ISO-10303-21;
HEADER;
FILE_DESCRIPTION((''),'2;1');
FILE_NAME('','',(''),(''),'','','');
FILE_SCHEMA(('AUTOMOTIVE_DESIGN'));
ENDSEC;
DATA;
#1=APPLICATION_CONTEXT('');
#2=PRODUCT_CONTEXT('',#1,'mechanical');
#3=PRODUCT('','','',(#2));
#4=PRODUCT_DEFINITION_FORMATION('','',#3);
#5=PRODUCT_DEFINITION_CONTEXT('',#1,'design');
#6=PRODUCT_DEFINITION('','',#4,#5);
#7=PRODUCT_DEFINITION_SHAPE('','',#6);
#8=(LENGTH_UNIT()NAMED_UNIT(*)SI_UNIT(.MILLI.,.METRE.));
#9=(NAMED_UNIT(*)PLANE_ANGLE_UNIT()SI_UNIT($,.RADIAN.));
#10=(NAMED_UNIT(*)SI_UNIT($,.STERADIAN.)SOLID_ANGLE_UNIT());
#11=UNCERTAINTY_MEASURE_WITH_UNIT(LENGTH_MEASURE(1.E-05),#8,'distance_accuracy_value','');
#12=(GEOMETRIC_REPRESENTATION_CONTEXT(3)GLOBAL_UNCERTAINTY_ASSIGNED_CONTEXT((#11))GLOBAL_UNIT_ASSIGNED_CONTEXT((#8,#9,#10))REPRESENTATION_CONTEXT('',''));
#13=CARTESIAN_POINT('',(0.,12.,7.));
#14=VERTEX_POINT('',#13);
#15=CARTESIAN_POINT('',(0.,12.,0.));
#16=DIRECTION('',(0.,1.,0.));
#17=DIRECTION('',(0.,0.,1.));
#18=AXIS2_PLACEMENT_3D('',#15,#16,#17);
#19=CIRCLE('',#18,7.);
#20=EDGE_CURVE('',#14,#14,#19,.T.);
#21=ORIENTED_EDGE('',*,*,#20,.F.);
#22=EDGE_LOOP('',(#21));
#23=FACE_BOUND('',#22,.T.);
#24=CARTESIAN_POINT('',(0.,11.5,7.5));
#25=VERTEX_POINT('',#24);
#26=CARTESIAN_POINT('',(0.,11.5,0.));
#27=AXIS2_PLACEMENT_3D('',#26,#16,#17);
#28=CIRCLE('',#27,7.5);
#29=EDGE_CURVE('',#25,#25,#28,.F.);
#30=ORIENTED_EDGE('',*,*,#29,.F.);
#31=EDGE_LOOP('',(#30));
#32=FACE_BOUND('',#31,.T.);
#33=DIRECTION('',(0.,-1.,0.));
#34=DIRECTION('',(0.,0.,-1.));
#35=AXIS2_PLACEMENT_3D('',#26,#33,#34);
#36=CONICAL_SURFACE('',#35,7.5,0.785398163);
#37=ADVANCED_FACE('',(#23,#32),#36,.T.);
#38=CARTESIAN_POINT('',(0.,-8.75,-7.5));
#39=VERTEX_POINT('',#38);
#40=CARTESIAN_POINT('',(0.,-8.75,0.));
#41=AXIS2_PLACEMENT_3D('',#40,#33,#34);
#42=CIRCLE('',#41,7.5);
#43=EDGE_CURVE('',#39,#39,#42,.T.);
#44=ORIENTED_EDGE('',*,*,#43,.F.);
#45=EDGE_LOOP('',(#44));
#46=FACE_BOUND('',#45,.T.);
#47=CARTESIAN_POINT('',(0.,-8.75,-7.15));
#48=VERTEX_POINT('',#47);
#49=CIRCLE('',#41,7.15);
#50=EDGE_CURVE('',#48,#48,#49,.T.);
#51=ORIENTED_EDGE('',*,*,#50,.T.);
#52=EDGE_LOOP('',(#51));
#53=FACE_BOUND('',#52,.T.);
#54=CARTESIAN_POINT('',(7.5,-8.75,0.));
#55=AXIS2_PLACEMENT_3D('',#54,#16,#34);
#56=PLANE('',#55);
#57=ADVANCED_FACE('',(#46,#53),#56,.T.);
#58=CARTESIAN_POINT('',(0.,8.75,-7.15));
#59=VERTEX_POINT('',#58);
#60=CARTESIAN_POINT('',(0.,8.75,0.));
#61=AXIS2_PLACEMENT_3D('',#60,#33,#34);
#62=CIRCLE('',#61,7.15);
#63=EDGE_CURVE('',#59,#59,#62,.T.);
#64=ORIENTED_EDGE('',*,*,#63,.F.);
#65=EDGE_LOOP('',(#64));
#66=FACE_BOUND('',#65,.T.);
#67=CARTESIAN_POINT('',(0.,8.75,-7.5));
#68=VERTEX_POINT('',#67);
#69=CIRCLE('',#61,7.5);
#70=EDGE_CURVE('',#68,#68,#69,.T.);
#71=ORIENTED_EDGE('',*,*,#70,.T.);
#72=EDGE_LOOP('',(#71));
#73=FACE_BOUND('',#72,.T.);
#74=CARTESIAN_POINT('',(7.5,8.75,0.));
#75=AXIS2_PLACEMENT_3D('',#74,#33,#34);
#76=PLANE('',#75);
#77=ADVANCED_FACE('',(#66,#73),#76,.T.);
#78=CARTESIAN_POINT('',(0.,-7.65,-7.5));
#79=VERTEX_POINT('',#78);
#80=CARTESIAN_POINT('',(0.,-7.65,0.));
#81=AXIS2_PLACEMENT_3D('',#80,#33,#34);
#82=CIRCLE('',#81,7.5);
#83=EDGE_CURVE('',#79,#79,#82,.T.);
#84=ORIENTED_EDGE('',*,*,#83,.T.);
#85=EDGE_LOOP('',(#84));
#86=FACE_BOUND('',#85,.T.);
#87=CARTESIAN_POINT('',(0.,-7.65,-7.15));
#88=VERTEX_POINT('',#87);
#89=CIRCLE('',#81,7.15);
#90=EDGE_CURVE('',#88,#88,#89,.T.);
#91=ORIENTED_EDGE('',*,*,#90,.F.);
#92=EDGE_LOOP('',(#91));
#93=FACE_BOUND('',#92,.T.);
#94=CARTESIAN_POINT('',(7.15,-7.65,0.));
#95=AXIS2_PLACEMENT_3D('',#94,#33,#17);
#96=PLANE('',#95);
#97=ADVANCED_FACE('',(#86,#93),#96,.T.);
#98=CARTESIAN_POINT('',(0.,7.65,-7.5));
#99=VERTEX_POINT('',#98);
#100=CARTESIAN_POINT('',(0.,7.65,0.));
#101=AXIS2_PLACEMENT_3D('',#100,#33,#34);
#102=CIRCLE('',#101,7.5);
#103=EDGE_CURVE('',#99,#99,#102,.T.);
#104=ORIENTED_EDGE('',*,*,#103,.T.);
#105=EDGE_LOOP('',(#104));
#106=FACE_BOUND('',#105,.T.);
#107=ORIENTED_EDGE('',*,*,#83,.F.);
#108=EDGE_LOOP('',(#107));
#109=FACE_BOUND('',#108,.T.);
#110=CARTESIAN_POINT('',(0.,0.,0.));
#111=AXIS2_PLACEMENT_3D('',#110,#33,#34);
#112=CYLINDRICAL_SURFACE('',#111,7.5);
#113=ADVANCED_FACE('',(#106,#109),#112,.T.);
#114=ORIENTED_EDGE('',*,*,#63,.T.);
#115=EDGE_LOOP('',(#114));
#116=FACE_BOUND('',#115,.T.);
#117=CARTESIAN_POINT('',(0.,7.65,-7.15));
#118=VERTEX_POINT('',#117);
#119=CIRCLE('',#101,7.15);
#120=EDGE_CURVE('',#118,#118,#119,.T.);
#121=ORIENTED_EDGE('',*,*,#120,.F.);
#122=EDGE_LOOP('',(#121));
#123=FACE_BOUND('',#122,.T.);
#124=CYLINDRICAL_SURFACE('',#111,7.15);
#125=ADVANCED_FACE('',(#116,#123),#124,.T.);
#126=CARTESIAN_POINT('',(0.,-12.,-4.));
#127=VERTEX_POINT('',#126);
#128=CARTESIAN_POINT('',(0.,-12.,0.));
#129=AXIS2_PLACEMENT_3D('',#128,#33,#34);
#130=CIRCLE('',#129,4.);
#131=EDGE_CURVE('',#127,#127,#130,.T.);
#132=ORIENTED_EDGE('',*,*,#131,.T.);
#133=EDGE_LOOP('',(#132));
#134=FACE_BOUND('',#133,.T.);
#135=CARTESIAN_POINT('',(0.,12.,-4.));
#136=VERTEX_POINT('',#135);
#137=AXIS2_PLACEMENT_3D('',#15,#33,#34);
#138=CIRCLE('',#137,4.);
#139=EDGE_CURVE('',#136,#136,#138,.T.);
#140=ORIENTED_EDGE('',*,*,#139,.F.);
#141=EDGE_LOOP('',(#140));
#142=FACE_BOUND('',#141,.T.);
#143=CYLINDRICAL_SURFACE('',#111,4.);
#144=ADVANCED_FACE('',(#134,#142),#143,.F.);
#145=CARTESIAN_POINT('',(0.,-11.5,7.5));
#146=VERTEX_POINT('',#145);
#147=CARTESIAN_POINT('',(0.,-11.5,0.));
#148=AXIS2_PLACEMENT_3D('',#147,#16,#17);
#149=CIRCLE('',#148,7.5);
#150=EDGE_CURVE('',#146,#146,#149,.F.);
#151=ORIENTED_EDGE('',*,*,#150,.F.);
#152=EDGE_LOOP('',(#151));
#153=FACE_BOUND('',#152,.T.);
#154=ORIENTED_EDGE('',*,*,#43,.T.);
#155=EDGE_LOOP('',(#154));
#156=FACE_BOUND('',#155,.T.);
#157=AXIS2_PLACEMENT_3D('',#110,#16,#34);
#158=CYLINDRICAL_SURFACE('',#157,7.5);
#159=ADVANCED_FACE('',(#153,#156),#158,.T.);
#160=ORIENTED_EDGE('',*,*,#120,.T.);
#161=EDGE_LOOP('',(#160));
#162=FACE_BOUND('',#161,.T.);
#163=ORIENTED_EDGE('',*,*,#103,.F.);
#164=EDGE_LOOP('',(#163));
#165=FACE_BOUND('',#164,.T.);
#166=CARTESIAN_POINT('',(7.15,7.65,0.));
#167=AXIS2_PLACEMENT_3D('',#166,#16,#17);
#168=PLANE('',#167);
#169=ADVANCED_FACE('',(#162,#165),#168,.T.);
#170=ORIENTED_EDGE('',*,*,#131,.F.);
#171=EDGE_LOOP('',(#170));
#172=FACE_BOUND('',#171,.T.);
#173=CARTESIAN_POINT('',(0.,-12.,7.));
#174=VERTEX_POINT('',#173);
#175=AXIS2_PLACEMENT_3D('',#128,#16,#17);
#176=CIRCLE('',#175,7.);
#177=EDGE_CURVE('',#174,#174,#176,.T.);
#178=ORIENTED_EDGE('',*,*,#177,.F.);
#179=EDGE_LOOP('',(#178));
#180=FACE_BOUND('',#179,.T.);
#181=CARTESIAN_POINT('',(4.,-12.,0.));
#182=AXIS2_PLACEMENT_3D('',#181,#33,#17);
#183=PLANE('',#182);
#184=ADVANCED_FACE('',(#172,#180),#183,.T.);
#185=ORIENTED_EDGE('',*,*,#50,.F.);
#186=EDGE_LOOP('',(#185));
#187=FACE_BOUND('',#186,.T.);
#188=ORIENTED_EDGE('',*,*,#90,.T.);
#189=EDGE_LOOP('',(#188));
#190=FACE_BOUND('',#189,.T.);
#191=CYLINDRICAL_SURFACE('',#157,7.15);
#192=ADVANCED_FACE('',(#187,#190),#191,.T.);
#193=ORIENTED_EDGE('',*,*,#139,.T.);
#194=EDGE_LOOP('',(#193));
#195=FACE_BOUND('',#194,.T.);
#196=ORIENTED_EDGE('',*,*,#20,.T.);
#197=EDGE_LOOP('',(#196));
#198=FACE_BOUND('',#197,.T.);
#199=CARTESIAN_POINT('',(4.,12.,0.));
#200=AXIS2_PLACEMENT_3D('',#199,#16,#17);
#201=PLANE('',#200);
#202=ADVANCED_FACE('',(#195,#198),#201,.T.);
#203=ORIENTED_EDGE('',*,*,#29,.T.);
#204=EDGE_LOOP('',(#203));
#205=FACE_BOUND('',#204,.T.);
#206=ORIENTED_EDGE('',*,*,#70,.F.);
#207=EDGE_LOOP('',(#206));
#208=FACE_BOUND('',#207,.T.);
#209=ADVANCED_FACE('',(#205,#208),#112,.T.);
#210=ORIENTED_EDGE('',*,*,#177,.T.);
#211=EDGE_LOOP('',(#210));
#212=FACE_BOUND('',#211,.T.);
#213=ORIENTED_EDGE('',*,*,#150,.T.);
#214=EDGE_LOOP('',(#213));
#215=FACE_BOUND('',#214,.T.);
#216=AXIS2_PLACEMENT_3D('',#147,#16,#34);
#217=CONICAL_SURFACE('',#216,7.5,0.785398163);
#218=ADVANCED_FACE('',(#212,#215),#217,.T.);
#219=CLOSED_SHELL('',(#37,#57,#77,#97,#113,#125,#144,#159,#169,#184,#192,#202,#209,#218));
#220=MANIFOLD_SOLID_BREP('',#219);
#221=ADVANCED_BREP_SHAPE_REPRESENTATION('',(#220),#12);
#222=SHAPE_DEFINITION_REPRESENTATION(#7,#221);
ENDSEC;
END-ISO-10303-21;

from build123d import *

# Parameters (mm, degrees)
CHAMFER1_SIZE = 0.5


with BuildPart() as part:
    # Sketch1 → Revolve1 (revolve)
    with BuildSketch(Plane.XY):
        Polygon((4, 0), (4, 12), (7.5, 12), (7.5, 8.75), (7.15, 8.75), (7.15, 7.65), (7.5, 7.65), (7.5, 0), align=None)
    revolve(axis=Axis((0, 0, 0), (0, 1, 0)))

    # Chamfer1
    chamfer1_edges = [part.edges().sort_by_distance(p)[0] for p in [
        (-7.5, 12, 0),
    ]]
    chamfer(chamfer1_edges, length=CHAMFER1_SIZE)

    # Mirror1: part across plane


with BuildPart() as part_1:
    add(part.part)
    add(part.part.mirror(Plane(origin=(7.5, 0, 0), x_dir=(0, 0, 1), z_dir=(0, -1, 0))))


solid = part_1.part
